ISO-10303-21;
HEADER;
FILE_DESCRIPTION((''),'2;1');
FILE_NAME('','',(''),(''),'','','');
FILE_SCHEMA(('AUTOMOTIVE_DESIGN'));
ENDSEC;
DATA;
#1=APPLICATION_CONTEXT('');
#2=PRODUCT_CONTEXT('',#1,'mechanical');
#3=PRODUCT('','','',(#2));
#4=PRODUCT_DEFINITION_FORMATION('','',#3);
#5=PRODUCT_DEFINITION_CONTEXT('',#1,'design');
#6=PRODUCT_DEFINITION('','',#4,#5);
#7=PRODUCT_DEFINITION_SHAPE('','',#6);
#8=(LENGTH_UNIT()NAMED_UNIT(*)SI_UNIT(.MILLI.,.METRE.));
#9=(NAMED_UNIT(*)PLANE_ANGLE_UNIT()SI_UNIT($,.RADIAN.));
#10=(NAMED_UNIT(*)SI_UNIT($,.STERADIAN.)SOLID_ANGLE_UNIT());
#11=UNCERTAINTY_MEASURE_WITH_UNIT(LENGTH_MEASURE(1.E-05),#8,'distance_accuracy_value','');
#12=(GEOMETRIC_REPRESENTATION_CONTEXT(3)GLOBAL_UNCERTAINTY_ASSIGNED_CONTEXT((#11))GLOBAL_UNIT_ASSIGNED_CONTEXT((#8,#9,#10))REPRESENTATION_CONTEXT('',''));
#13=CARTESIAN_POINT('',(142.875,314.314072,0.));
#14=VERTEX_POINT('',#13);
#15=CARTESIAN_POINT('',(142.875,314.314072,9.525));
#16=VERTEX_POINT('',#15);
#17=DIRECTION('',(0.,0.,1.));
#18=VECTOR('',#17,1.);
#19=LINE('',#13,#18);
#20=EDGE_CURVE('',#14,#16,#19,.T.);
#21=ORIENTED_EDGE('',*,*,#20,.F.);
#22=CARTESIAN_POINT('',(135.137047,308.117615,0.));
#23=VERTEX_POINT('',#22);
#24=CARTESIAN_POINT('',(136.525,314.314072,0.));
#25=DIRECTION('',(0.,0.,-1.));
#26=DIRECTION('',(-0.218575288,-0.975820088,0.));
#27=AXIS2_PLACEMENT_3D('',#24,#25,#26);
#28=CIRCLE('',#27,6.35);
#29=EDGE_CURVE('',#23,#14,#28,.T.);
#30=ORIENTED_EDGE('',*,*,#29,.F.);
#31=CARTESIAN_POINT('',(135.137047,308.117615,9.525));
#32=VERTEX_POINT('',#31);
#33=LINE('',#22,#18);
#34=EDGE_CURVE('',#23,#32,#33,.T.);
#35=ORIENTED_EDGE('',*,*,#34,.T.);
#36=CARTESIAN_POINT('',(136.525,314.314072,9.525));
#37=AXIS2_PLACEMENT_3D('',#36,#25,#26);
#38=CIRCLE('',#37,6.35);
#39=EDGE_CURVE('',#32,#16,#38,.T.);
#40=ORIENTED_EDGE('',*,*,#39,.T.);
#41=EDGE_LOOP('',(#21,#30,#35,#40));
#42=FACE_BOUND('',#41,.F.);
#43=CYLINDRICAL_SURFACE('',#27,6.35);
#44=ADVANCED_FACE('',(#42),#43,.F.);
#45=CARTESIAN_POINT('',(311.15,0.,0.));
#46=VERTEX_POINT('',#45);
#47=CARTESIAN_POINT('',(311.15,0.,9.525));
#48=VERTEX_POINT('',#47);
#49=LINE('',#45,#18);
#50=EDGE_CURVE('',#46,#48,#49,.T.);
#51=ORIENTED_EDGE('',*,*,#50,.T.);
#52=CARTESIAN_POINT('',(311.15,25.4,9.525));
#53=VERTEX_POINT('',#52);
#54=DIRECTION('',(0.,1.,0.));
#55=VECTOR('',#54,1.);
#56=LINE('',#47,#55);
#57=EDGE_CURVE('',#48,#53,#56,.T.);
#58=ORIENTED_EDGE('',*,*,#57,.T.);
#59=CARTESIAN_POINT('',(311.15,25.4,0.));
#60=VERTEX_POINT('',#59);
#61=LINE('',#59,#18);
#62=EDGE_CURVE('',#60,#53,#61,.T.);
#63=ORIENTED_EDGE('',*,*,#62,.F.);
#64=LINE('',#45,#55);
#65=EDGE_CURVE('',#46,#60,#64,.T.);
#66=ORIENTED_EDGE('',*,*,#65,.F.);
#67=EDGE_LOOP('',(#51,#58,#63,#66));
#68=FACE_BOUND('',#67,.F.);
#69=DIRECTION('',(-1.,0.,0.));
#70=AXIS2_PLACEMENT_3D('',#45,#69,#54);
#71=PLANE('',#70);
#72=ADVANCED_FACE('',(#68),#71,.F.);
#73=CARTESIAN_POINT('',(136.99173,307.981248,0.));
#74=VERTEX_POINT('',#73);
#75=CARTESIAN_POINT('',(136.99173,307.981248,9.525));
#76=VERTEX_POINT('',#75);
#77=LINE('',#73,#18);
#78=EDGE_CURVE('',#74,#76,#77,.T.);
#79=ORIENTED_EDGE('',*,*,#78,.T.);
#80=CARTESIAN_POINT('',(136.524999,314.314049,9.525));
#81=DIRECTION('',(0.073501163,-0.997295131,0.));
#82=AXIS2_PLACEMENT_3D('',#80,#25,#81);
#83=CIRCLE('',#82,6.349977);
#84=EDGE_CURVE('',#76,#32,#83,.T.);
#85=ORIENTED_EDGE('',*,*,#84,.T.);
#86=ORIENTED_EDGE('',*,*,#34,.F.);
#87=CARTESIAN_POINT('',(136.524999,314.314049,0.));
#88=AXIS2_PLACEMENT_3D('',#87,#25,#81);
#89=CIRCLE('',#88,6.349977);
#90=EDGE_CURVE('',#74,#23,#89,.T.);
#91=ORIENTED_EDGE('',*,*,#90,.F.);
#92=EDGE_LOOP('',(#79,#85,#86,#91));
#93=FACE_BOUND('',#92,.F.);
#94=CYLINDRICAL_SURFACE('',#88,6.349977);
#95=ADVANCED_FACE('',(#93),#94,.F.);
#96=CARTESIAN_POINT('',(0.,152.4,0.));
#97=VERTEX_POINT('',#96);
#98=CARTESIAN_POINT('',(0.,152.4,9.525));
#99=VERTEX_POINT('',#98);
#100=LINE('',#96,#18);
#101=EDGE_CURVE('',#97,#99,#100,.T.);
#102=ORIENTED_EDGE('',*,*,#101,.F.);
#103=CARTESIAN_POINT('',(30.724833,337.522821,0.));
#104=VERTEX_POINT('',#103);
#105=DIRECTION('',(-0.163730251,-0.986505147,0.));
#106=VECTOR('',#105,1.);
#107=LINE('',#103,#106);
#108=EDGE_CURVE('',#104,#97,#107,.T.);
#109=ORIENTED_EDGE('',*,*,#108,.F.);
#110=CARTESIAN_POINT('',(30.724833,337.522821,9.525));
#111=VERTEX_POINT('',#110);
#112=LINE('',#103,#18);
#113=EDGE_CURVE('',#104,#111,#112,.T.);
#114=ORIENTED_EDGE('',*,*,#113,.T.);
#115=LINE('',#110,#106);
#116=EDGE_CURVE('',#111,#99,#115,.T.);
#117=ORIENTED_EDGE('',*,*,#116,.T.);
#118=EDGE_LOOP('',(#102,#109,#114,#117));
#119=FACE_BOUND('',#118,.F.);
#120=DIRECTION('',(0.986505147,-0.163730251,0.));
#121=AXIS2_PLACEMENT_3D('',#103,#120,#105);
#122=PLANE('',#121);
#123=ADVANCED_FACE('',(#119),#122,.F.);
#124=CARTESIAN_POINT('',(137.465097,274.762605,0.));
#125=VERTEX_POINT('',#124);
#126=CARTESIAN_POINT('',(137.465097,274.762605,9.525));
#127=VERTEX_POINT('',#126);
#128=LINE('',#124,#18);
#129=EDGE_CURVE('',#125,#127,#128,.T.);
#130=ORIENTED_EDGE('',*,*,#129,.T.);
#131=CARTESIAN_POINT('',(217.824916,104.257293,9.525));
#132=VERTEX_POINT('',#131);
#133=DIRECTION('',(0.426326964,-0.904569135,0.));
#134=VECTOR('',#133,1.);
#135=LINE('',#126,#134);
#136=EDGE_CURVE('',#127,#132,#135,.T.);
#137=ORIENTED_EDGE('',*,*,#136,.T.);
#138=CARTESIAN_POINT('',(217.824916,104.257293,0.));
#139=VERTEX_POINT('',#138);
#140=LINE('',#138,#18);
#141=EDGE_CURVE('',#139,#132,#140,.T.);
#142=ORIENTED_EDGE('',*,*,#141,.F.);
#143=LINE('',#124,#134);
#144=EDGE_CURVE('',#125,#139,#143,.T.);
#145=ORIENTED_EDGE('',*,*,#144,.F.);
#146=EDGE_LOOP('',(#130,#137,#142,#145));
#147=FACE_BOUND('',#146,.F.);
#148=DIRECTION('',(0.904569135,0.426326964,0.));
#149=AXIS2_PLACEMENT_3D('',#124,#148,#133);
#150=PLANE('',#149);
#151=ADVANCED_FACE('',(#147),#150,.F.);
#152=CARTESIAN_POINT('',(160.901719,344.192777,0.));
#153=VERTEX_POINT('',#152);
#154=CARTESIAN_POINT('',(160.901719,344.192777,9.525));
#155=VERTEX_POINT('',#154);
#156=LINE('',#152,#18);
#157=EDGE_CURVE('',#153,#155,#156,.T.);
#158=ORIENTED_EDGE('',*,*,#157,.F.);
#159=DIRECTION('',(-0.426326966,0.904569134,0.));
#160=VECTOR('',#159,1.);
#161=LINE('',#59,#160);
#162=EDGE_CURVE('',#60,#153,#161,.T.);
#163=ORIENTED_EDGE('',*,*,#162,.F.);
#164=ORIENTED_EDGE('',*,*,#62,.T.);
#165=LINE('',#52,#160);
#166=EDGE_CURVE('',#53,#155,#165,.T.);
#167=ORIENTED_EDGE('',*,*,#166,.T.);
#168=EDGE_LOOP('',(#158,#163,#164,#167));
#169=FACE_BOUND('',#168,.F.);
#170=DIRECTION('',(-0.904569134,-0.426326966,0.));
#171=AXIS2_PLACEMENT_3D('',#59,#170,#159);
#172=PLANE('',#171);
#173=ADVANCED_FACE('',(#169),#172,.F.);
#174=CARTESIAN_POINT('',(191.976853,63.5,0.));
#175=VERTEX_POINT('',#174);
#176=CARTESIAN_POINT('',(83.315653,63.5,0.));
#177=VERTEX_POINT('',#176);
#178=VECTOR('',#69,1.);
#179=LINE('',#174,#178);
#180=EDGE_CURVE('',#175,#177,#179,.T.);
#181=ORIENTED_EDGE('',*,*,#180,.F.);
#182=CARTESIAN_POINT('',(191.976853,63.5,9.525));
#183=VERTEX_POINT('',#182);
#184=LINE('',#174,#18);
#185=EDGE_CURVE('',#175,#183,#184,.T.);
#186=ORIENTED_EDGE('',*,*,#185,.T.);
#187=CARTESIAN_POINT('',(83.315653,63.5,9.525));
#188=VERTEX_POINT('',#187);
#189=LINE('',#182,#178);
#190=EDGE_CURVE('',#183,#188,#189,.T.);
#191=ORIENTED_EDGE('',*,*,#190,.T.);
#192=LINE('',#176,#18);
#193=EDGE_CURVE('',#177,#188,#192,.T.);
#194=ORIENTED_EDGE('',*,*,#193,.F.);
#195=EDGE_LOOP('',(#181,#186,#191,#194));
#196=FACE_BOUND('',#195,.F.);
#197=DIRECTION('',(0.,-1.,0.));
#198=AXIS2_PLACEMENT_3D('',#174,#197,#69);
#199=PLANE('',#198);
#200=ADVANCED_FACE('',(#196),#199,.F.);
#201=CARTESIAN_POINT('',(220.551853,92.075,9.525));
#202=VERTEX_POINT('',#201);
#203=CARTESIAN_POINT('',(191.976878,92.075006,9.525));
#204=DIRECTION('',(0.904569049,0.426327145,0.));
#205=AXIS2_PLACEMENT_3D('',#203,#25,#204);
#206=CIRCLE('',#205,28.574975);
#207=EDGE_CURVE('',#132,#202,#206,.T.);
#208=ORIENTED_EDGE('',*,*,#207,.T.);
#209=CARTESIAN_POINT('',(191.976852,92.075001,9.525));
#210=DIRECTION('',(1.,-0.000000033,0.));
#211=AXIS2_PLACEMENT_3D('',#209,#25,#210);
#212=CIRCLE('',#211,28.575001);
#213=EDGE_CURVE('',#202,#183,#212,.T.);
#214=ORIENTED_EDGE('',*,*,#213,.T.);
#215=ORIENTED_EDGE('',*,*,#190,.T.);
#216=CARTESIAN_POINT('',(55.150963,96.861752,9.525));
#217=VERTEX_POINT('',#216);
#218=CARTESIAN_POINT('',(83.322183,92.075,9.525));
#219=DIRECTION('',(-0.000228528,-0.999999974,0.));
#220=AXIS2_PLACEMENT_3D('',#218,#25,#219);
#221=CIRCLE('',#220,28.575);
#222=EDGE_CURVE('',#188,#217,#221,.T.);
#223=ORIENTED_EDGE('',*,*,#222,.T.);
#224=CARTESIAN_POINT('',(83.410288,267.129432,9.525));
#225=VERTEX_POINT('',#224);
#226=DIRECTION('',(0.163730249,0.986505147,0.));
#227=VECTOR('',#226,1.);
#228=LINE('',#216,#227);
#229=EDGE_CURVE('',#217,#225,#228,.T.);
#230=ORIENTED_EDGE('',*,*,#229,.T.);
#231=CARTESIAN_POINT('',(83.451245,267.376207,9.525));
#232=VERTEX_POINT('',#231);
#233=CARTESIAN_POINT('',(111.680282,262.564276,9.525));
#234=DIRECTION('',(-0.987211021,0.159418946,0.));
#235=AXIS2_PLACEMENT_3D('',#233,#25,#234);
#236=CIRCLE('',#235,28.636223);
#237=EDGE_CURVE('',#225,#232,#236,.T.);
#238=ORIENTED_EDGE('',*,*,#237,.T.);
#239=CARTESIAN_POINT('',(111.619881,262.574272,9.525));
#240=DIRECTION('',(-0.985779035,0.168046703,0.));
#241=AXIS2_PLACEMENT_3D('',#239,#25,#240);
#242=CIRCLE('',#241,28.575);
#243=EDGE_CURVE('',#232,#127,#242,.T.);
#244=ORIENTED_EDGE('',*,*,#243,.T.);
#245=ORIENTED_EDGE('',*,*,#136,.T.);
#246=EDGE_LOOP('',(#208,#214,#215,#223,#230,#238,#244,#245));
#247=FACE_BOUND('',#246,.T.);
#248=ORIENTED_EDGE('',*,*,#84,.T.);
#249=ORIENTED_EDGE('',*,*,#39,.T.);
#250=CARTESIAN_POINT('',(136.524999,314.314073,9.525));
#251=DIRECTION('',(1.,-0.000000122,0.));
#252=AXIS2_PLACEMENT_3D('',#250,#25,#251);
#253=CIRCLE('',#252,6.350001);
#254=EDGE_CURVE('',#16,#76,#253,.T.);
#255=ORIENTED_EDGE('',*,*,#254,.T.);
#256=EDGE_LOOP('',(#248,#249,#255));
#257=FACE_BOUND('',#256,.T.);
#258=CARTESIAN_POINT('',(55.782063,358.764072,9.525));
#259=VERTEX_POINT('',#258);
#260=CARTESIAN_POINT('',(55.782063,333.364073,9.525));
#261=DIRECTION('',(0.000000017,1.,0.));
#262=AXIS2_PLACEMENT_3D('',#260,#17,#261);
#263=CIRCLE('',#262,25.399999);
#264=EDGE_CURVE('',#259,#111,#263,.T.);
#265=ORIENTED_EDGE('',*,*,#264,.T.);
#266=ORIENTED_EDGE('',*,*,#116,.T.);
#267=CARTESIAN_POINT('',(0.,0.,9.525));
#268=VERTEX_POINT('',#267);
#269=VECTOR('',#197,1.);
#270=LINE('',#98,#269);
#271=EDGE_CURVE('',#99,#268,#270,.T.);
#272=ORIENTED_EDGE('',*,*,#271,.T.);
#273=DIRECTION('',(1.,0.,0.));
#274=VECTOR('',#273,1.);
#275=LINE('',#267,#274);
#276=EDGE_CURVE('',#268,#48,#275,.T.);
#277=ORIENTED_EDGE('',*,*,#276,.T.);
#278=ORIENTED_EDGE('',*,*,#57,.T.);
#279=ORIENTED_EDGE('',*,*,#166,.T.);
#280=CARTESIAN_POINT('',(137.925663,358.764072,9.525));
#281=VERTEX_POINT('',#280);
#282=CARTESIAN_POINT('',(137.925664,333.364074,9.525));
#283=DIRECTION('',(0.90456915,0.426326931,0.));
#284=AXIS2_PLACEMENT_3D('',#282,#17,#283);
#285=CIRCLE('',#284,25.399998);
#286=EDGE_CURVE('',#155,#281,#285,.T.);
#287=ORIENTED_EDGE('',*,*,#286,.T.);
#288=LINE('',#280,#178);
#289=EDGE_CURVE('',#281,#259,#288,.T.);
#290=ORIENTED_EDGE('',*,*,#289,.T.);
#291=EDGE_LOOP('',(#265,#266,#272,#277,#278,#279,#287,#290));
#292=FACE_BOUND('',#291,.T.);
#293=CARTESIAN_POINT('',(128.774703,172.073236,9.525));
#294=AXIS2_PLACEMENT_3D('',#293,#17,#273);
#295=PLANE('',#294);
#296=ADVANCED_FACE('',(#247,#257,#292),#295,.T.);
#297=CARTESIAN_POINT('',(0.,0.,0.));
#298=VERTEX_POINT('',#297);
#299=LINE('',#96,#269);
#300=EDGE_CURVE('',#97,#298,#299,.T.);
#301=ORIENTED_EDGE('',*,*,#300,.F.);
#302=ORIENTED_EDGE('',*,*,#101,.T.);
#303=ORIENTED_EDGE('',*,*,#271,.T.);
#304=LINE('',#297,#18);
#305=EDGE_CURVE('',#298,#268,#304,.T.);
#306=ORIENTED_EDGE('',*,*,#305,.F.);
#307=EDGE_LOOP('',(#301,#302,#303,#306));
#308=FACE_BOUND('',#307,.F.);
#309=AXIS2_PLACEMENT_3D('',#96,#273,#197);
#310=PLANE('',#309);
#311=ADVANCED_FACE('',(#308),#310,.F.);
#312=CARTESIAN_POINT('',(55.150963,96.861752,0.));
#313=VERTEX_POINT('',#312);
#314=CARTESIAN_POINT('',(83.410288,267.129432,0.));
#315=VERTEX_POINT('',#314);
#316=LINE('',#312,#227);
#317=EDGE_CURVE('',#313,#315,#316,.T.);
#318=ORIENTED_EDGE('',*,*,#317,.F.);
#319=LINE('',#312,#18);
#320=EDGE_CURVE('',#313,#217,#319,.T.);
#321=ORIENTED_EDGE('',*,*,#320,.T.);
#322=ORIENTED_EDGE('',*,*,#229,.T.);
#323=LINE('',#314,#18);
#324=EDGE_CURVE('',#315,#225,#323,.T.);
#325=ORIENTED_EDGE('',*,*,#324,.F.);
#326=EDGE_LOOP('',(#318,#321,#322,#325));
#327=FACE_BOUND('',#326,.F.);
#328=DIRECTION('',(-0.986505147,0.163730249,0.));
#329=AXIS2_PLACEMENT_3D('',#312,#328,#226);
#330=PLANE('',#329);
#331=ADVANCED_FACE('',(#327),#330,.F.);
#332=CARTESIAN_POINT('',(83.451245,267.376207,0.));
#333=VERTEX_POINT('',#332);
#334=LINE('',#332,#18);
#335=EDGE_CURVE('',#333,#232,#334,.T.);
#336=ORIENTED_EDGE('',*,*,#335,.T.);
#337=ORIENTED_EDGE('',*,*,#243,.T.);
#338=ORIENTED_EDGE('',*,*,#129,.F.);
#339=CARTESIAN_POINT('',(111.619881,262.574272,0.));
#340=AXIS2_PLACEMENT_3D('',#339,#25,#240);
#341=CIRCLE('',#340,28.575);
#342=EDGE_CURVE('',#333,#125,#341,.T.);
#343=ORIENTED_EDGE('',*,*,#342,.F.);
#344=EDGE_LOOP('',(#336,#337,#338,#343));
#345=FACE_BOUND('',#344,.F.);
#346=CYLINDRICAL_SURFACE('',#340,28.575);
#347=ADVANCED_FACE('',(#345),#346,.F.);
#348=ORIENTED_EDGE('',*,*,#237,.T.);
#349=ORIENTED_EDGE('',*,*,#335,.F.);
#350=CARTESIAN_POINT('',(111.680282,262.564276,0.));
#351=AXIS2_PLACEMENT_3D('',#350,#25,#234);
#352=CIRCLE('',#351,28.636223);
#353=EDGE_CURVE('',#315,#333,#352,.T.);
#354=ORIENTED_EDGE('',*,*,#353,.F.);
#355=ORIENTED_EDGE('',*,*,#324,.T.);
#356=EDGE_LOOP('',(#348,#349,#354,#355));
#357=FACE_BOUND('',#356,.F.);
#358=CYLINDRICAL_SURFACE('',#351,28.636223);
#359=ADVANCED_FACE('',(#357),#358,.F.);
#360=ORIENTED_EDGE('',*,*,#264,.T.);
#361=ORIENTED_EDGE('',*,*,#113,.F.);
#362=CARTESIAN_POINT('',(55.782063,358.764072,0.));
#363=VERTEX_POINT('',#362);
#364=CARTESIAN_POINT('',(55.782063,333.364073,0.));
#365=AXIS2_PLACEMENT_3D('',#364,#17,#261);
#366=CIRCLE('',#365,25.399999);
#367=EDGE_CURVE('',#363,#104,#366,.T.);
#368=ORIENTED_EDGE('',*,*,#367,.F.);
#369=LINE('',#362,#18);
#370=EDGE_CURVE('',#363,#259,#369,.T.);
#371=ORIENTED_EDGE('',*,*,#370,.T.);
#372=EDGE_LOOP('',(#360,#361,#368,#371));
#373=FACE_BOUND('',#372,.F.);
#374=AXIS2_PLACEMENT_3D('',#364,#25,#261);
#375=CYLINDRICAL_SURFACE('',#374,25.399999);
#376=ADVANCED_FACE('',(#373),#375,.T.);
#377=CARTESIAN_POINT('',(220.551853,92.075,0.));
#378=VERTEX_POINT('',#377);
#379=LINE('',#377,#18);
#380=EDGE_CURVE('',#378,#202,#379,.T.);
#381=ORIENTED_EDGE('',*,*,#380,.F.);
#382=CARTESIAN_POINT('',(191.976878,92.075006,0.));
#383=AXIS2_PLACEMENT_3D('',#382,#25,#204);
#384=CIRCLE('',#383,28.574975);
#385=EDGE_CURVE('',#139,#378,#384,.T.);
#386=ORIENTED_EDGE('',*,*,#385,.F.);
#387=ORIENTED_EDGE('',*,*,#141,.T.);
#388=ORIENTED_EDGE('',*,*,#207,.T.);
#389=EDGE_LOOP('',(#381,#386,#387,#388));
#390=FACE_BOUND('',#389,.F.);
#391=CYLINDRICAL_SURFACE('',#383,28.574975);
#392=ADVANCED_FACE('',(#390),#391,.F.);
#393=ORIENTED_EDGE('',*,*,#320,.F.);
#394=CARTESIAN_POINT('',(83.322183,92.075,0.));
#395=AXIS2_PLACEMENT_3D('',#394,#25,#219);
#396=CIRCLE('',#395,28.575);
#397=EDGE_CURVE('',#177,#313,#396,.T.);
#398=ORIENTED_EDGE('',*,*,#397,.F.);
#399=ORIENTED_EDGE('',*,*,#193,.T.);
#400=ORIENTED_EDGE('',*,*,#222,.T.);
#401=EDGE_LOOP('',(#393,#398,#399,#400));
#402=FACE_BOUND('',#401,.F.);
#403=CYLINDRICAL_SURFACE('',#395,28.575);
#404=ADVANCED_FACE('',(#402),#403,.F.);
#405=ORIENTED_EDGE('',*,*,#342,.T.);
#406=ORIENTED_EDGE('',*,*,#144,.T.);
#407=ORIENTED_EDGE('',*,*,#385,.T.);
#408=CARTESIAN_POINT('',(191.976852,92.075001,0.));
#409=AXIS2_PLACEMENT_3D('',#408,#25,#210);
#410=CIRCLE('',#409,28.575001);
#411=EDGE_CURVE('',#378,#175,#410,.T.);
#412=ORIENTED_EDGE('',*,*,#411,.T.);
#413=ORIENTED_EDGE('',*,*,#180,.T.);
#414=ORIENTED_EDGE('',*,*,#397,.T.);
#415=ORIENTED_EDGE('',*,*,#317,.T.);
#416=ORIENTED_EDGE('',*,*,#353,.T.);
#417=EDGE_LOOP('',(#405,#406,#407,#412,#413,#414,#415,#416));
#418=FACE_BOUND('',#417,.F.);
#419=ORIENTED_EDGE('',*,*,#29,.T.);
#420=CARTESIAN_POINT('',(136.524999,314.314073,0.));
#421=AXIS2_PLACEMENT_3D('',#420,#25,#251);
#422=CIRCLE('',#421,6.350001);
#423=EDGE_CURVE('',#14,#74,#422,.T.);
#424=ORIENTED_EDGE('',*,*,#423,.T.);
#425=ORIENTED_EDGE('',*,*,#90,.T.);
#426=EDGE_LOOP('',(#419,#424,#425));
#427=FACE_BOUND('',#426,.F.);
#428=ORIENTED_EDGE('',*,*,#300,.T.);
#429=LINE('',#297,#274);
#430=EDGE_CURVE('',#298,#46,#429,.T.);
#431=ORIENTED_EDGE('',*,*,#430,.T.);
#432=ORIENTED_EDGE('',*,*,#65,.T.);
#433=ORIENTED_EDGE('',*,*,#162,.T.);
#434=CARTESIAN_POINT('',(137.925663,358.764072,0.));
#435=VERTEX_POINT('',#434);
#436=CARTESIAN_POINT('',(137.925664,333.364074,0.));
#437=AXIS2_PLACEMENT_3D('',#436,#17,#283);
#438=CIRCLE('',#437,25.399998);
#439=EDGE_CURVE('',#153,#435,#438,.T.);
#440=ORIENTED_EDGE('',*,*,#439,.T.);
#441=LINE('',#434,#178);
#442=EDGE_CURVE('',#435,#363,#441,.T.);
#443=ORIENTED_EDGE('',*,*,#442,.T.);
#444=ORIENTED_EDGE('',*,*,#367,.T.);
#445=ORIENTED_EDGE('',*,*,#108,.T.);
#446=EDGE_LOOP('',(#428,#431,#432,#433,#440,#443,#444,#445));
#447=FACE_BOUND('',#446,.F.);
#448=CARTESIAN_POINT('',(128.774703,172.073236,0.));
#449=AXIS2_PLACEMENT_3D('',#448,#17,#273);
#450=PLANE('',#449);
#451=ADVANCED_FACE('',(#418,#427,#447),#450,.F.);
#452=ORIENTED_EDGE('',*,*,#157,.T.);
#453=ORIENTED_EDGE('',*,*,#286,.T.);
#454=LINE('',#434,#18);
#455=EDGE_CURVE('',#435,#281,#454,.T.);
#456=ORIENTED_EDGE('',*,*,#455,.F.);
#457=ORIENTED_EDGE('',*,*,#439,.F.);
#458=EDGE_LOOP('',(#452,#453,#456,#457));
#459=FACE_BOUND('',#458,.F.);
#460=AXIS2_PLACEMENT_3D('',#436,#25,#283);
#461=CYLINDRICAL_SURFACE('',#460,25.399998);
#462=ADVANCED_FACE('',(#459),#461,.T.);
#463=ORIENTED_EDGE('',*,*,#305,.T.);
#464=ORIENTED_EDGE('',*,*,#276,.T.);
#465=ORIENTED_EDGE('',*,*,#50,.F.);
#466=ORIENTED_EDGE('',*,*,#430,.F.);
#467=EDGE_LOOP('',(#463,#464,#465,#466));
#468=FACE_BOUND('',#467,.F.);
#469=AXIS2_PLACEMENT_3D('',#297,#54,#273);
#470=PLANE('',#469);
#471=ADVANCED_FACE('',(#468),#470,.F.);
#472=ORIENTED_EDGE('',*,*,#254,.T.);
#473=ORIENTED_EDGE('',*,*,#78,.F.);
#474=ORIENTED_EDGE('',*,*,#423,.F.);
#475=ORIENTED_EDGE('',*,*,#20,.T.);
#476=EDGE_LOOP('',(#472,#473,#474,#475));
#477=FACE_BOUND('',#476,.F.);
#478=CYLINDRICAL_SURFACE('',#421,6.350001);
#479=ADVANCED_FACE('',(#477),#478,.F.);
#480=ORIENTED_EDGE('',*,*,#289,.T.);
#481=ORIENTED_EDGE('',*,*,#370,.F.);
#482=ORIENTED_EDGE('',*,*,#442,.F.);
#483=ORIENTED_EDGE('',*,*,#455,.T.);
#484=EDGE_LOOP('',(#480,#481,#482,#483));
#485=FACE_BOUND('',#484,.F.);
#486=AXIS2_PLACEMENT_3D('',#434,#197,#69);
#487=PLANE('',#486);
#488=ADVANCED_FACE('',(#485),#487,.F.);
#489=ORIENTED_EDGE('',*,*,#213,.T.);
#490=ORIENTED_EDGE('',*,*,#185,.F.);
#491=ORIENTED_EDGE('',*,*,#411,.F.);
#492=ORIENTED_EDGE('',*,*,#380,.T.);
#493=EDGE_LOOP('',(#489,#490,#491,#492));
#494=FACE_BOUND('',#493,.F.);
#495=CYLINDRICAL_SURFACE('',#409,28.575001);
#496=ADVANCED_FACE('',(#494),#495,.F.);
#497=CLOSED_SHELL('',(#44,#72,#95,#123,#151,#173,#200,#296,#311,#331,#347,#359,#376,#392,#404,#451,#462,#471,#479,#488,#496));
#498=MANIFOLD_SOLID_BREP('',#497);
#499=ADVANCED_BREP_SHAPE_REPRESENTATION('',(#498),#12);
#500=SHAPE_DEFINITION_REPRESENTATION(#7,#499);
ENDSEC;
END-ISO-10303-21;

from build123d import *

# Parameters (mm, degrees)
F1_DEPTH = 9.525


with BuildPart() as f1:
    # F0 (on Top) → F1 (new body)
    with BuildSketch(Plane.XY):
        with BuildLine():
            Line((0, 152.4), (0, 0))
            Line((0, 0), (311.15, 0))
            Line((311.15, 0), (311.15, 25.4))
            Line((311.15, 25.4), (160.901719, 344.192777))
            ThreePointArc((160.901719, 344.192777), (162.712271, 338.912413), (163.325663, 333.364072))
            ThreePointArc((163.325663, 333.364072), (155.552888, 315.076345), (136.99173, 307.981248))
            ThreePointArc((136.99173, 307.981248), (136.059369, 307.981167), (135.137047, 308.117615))
            ThreePointArc((135.137047, 308.117615), (112.564078, 334.760493), (137.925663, 358.764072))
            Line((137.925663, 358.764072), (55.782063, 358.764072))
            ThreePointArc((55.782063, 358.764072), (73.742576, 351.324585), (81.182063, 333.364072))
            ThreePointArc((81.182063, 333.364072), (53.695638, 308.04991), (30.724833, 337.522821))
            Line((30.724833, 337.522821), (0, 152.4))
        make_face()
        with BuildLine():
            ThreePointArc((83.451245, 267.376207), (107.748281, 290.885778), (137.465097, 274.762605))
            Line((137.465097, 274.762605), (217.824916, 104.257293))
            ThreePointArc((217.824916, 104.257293), (219.861787, 98.316884), (220.551853, 92.075))
            ThreePointArc((220.551853, 92.075), (212.182429, 71.869424), (191.976853, 63.5))
            Line((191.976853, 63.5), (83.315653, 63.5))
            ThreePointArc((83.315653, 63.5), (61.487623, 73.641806), (55.150963, 96.861752))
            Line((55.150963, 96.861752), (83.410288, 267.129432))
            ThreePointArc((83.410288, 267.129432), (83.430497, 267.252864), (83.451245, 267.376207))
        make_face(mode=Mode.SUBTRACT)
        with BuildLine():
            ThreePointArc((55.782063, 358.764072), (39.357573, 352.739214), (30.724833, 337.522821))
            ThreePointArc((30.724833, 337.522821), (53.695638, 308.04991), (81.182063, 333.364072))
            ThreePointArc((81.182063, 333.364072), (73.742576, 351.324585), (55.782063, 358.764072))
        make_face()
        with BuildLine():
            ThreePointArc((163.325663, 333.364072), (162.712271, 338.912413), (160.901719, 344.192777))
            ThreePointArc((160.901719, 344.192777), (151.529172, 354.81412), (137.925663, 358.764072))
            ThreePointArc((137.925663, 358.764072), (112.564078, 334.760493), (135.137047, 308.117615))
            ThreePointArc((135.137047, 308.117615), (132.555806, 319.270684), (142.875, 314.314072))
            ThreePointArc((142.875, 314.314072), (141.177216, 309.992107), (136.99173, 307.981248))
            ThreePointArc((136.99173, 307.981248), (155.552888, 315.076345), (163.325663, 333.364072))
        make_face()
    extrude(amount=F1_DEPTH)


solid = f1.part
